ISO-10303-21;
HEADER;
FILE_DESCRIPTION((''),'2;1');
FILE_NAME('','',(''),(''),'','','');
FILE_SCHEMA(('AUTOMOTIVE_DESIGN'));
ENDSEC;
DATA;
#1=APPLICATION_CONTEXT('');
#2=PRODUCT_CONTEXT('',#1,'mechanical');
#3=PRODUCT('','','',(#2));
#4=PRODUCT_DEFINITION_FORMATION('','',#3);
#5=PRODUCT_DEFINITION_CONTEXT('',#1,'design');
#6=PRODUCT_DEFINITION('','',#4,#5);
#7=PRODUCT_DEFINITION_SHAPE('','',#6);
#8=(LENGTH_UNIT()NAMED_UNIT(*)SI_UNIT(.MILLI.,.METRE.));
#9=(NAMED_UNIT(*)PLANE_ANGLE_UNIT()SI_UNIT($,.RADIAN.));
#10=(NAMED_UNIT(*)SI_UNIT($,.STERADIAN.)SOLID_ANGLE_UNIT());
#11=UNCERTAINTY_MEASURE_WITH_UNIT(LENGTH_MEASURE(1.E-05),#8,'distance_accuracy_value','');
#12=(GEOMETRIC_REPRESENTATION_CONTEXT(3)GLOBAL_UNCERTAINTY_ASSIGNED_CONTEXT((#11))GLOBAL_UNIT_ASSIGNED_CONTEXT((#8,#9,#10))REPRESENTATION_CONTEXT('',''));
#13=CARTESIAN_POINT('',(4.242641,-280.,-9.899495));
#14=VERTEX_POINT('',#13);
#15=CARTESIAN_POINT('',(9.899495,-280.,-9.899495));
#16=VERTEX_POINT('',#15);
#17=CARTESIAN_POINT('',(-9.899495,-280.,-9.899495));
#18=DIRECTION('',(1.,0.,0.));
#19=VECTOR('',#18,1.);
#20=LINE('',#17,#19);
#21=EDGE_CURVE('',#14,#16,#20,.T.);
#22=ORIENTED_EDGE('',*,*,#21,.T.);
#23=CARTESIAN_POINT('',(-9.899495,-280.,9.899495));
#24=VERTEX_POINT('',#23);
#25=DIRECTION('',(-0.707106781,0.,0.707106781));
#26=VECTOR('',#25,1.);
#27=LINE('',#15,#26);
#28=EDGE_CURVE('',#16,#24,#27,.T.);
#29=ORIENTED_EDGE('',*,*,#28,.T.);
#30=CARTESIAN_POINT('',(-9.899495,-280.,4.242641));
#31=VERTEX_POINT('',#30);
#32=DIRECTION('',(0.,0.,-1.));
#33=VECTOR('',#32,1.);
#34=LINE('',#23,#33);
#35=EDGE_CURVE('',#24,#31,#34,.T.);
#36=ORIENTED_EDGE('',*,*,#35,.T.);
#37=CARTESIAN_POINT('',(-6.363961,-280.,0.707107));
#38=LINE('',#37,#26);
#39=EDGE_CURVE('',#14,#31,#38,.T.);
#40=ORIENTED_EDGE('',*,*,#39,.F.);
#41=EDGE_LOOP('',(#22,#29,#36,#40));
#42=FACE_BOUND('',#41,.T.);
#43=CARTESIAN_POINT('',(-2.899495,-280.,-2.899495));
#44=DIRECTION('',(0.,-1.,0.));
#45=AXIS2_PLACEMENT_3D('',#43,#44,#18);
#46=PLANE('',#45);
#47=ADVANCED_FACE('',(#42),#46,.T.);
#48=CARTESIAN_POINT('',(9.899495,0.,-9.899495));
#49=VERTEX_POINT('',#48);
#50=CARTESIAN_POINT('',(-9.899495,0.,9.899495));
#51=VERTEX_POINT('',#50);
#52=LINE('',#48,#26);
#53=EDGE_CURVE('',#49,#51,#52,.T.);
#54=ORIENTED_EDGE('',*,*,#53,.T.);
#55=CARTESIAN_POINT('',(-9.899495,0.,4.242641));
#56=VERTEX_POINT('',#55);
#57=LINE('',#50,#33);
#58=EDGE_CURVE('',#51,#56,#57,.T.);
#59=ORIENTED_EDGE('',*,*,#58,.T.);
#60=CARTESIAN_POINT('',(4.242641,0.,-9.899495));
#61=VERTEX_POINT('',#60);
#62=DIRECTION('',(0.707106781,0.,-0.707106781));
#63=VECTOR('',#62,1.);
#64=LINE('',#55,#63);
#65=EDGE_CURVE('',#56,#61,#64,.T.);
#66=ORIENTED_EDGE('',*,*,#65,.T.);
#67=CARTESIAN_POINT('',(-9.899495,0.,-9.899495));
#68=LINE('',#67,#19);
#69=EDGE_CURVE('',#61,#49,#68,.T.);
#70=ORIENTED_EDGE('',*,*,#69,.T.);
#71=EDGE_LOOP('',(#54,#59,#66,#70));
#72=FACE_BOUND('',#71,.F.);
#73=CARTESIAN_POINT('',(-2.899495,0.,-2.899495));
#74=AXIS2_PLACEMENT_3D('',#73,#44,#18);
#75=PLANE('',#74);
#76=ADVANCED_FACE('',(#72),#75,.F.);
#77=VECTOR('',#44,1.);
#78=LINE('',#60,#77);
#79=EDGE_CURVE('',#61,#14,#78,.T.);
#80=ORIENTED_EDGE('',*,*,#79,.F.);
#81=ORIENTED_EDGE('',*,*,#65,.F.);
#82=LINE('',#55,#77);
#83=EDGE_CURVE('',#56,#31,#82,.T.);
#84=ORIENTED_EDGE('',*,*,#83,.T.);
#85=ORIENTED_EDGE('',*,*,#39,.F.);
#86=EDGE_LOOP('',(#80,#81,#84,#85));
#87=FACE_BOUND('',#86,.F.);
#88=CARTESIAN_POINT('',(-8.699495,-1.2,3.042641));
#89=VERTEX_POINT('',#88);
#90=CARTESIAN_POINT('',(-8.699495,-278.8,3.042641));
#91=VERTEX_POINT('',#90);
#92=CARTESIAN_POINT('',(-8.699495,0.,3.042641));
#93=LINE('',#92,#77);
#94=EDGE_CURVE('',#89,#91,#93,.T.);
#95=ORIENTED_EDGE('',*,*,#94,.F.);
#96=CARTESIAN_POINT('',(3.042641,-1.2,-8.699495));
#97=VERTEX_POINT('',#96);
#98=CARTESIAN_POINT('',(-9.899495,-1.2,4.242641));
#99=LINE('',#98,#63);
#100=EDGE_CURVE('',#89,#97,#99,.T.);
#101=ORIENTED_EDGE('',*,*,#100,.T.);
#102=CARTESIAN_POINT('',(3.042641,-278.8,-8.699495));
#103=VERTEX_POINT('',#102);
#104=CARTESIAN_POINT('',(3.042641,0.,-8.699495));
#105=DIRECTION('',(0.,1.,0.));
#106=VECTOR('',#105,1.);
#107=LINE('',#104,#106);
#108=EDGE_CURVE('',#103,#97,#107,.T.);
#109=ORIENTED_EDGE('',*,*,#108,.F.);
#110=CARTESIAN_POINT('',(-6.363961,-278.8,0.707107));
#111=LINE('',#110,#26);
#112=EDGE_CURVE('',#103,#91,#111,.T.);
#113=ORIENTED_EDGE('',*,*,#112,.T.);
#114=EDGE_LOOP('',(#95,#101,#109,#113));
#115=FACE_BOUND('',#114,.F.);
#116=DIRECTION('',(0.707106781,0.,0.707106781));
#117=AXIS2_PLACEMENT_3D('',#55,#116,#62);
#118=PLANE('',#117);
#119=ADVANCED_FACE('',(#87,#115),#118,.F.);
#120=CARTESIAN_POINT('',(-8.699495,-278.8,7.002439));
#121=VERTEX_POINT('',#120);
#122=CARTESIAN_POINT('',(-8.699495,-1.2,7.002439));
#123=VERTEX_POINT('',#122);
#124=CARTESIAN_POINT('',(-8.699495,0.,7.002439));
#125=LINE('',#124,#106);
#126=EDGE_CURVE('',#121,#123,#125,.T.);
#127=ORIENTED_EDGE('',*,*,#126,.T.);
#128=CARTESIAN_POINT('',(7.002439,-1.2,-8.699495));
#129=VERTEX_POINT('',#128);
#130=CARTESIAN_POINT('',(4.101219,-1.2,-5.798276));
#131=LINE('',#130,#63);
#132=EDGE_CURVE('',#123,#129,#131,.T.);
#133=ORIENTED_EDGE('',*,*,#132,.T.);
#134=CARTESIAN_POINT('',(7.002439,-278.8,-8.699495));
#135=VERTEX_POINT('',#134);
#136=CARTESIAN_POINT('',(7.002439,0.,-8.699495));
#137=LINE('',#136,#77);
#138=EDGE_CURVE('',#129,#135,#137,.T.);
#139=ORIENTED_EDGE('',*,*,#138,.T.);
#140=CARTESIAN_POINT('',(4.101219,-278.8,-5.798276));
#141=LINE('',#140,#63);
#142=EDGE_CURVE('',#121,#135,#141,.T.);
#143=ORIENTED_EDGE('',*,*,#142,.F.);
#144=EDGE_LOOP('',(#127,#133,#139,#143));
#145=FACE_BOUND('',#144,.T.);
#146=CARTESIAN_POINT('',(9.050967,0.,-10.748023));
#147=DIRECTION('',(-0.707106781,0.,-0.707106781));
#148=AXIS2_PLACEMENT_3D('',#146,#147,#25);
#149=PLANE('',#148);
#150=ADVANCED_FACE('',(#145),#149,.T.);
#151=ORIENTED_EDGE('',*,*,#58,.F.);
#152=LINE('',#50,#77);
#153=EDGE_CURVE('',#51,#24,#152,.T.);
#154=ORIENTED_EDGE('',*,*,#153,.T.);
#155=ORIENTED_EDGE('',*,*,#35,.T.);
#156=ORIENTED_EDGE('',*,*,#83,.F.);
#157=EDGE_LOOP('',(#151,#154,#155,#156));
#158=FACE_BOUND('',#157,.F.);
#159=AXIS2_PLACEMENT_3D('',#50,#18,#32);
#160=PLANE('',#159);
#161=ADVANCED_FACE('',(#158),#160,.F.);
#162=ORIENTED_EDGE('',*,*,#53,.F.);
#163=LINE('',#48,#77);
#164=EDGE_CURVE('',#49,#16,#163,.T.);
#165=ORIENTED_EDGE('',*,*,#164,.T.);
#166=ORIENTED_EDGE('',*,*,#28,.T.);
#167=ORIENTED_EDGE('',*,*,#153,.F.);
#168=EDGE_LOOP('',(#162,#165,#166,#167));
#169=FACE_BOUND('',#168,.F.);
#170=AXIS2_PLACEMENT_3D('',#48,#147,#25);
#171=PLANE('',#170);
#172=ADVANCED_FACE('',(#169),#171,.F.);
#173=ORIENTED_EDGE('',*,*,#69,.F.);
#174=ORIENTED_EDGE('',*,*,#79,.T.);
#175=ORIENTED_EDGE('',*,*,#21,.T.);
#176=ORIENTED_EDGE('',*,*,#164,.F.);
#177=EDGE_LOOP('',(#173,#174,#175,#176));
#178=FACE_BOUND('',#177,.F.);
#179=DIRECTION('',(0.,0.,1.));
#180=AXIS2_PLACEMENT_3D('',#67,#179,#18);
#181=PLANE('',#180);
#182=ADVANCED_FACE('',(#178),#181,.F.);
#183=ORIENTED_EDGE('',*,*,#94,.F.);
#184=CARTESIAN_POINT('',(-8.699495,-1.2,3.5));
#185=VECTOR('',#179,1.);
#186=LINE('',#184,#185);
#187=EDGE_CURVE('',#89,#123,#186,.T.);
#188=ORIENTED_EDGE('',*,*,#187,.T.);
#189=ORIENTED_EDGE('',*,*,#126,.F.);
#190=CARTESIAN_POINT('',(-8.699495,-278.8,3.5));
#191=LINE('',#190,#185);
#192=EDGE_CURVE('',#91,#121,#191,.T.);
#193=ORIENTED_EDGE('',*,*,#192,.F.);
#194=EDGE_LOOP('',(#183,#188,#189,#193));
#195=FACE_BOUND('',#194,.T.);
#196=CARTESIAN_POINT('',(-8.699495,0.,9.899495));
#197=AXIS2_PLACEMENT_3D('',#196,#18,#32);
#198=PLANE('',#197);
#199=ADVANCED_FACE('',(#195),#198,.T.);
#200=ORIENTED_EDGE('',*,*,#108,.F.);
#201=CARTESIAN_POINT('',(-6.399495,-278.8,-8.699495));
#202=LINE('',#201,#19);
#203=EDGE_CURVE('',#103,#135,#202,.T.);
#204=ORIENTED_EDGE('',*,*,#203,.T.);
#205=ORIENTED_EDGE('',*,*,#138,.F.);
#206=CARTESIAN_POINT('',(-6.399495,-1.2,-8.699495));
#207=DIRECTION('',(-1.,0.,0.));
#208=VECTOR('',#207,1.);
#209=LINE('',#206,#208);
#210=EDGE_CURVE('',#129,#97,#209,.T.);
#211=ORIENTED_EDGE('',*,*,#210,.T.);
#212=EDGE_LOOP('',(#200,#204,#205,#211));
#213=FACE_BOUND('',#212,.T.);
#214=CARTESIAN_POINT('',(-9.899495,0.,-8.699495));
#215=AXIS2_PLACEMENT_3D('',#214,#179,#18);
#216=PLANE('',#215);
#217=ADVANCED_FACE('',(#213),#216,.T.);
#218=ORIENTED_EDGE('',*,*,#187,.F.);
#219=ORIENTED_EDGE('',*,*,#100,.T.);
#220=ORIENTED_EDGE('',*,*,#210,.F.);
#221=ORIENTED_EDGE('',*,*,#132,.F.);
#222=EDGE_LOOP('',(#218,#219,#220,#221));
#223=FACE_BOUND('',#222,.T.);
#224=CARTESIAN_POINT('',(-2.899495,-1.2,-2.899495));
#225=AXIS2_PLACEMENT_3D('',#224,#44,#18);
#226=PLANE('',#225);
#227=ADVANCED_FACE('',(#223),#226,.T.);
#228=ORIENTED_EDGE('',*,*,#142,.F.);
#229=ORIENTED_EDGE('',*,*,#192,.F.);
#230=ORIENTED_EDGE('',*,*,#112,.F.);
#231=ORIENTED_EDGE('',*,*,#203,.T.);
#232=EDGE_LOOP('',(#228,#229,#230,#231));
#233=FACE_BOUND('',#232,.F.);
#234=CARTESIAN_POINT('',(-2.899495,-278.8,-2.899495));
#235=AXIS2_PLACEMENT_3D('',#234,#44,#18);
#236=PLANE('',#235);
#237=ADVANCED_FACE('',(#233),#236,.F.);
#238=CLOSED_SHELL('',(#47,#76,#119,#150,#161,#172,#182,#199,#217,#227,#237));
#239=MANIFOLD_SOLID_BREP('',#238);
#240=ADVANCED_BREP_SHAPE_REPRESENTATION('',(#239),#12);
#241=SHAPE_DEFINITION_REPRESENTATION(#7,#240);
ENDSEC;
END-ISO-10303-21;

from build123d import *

# Parameters (mm, degrees)
F1_DEPTH = 280
F3_DEPTH = 287
F4_T     = -1.2


with BuildPart() as f1:
    # F0 (on Front) → F1 (new body)
    with BuildSketch(Plane.XZ):
        Polygon((-9.899495, 9.899495), (-9.899495, -9.899495), (9.899495, -9.899495), align=None)
    extrude(amount=F1_DEPTH)

    # F2 (on face) → F3 (cut)
    with BuildSketch(Plane(origin=(0, 0, 0), x_dir=(-1, 0, 0), z_dir=(0, 1, 0))):
        Polygon((9.899495, 4.242641), (-4.242641, -9.899495), (9.899495, -9.899495), align=None)
    extrude(amount=-F3_DEPTH, mode=Mode.SUBTRACT)

    # F4
    f4_openings = [f1.faces().sort_by_distance(p)[0] for p in [
        (-2.828427, -140, -2.828427),
    ]]
    offset(amount=F4_T, openings=f4_openings)


solid = f1.part
